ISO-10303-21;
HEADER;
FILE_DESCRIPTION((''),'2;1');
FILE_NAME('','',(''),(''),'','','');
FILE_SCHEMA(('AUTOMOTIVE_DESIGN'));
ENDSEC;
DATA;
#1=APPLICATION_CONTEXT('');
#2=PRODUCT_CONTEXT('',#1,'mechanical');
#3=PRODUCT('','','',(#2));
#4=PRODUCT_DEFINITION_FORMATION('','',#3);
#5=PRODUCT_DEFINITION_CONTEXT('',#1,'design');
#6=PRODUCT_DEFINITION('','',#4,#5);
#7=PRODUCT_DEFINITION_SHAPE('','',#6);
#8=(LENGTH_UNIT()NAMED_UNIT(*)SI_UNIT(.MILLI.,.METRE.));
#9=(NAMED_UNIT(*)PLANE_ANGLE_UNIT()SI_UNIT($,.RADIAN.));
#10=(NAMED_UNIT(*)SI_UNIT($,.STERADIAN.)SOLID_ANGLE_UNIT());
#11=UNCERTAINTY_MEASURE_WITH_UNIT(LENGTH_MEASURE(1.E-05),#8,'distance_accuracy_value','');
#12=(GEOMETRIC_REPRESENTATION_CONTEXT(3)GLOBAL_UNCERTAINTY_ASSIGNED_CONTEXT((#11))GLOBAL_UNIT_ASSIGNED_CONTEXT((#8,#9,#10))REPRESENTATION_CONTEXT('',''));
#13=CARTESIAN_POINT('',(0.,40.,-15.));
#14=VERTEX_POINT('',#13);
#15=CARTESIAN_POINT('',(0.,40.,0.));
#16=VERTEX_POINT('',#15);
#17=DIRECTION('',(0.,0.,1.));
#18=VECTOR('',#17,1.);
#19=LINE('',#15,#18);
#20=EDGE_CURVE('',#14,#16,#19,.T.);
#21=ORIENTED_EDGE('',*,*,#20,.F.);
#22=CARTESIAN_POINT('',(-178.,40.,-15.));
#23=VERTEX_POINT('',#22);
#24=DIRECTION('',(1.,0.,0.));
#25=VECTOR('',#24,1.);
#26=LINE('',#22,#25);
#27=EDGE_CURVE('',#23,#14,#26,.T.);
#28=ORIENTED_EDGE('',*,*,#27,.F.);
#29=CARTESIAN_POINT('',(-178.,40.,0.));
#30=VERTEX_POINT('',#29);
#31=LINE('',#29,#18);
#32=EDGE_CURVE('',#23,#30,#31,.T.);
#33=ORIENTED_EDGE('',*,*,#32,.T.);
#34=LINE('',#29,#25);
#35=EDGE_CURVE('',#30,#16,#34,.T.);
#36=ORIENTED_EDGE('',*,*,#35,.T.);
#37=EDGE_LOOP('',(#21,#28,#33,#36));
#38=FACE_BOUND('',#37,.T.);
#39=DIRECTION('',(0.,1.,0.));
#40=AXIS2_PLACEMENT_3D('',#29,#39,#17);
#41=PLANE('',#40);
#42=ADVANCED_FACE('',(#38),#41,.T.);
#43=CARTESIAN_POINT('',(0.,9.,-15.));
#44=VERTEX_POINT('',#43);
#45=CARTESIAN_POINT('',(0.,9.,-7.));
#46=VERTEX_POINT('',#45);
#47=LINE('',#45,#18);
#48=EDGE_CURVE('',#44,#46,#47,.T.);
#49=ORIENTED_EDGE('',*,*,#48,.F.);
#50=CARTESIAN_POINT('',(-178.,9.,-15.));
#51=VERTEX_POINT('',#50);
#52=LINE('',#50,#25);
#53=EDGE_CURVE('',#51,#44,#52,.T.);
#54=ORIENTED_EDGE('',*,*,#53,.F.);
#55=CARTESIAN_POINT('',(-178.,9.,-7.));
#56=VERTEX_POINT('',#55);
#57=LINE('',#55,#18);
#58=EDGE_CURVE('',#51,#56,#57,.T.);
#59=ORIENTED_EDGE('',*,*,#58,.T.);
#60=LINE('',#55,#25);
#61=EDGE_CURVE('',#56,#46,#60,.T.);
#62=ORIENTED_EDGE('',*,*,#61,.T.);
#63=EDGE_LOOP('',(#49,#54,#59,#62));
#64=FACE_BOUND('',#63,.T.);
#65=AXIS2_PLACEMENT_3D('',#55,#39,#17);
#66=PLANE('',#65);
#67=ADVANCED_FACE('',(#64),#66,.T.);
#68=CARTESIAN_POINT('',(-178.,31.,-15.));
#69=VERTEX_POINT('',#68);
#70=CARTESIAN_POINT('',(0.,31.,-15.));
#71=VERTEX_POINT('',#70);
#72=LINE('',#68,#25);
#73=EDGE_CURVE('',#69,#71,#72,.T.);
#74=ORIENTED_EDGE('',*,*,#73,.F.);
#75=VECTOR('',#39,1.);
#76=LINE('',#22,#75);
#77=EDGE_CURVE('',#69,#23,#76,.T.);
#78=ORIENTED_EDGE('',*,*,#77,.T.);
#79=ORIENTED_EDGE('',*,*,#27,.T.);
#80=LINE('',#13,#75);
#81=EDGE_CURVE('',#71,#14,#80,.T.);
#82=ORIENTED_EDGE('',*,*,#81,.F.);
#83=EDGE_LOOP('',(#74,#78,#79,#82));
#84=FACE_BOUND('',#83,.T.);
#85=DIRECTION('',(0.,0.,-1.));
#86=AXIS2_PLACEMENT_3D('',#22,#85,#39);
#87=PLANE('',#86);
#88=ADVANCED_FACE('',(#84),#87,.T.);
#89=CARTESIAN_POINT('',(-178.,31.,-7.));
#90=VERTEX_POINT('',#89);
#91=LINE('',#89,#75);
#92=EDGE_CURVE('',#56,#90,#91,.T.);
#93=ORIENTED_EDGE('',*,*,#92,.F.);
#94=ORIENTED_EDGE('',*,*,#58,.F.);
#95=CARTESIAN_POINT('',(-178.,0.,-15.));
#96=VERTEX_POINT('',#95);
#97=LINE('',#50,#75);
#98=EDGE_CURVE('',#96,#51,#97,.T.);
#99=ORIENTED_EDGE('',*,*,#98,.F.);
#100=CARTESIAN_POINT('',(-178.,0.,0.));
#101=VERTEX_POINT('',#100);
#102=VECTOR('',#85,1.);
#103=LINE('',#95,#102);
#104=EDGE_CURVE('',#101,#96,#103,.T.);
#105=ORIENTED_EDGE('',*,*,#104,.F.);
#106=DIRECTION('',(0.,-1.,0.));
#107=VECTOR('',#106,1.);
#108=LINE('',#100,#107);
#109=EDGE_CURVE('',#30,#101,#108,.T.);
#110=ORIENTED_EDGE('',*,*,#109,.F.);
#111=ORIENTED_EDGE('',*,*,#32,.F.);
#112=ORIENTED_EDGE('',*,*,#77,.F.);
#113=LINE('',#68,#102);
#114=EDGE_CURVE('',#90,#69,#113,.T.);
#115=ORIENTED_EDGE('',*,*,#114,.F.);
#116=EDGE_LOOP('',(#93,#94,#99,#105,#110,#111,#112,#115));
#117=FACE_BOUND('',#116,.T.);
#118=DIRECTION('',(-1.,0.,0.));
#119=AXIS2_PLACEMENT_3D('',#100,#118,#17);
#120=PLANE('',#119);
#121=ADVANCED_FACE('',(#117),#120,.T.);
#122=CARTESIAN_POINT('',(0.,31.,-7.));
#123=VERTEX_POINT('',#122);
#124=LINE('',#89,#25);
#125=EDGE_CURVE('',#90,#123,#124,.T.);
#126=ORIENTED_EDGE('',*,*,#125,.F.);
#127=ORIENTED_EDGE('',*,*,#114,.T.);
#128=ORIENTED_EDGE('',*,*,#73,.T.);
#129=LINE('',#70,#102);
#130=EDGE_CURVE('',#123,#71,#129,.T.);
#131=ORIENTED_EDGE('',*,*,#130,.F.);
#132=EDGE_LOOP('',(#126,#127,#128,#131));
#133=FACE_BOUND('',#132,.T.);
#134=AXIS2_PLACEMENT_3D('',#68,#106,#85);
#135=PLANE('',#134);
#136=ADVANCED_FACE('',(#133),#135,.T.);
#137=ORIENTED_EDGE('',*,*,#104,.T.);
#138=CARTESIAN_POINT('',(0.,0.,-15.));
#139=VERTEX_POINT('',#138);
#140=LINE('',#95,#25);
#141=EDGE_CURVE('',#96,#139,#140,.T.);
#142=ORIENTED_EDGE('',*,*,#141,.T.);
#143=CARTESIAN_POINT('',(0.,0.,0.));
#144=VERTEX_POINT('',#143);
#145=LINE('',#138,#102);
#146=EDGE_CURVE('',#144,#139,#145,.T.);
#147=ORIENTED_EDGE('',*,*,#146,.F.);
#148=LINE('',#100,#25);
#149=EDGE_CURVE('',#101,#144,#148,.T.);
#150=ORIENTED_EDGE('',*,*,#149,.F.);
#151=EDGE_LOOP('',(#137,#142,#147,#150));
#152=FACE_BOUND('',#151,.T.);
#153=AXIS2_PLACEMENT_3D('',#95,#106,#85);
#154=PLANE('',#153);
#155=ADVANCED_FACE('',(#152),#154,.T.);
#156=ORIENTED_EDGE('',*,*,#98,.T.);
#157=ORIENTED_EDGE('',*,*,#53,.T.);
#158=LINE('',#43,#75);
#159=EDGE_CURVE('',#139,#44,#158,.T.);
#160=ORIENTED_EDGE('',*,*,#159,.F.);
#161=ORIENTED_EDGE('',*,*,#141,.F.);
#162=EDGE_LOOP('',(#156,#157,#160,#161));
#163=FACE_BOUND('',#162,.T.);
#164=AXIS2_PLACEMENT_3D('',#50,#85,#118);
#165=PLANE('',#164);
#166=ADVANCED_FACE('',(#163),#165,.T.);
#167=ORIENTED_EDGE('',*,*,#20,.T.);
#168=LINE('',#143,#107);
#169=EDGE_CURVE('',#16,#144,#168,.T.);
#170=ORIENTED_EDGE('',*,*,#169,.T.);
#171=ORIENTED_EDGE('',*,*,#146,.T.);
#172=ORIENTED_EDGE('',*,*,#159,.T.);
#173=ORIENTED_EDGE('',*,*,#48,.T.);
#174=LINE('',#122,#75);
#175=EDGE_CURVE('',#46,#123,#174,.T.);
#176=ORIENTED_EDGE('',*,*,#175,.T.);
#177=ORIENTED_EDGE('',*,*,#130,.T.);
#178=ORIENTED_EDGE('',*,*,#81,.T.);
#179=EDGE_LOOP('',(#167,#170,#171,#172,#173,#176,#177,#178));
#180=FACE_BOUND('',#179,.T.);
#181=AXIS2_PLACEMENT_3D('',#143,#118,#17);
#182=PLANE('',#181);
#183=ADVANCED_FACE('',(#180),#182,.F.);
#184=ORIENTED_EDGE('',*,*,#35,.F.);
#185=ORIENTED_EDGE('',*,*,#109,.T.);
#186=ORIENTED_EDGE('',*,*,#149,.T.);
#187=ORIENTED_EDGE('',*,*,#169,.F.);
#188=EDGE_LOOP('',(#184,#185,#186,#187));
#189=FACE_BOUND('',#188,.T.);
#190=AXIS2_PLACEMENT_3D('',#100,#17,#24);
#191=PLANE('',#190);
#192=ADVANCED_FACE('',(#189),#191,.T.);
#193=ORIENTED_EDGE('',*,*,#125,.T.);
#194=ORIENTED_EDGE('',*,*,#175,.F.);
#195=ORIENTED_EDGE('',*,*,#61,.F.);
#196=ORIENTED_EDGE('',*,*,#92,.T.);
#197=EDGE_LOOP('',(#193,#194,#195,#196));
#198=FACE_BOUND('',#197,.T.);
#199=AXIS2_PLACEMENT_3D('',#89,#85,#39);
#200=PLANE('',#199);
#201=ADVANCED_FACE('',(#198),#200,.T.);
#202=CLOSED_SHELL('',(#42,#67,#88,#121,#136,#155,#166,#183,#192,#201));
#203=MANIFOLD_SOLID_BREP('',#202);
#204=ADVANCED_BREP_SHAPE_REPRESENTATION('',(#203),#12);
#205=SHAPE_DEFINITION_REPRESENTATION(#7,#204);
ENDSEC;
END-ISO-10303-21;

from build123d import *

# Parameters (mm, degrees)
BOSS_EXTRUDE1_DEPTH = 178


with BuildPart() as part:
    # Sketch1 → Boss-Extrude1 (new body)
    with BuildSketch(Plane(origin=(0, 0, 0), x_dir=(0, 0, -1), z_dir=(1, 0, 0))):
        Polygon((0, 0), (0, 40), (15, 40), (15, 31), (7, 31), (7, 9), (15, 9), (15, 0), align=None)
    extrude(amount=-BOSS_EXTRUDE1_DEPTH)


solid = part.part
